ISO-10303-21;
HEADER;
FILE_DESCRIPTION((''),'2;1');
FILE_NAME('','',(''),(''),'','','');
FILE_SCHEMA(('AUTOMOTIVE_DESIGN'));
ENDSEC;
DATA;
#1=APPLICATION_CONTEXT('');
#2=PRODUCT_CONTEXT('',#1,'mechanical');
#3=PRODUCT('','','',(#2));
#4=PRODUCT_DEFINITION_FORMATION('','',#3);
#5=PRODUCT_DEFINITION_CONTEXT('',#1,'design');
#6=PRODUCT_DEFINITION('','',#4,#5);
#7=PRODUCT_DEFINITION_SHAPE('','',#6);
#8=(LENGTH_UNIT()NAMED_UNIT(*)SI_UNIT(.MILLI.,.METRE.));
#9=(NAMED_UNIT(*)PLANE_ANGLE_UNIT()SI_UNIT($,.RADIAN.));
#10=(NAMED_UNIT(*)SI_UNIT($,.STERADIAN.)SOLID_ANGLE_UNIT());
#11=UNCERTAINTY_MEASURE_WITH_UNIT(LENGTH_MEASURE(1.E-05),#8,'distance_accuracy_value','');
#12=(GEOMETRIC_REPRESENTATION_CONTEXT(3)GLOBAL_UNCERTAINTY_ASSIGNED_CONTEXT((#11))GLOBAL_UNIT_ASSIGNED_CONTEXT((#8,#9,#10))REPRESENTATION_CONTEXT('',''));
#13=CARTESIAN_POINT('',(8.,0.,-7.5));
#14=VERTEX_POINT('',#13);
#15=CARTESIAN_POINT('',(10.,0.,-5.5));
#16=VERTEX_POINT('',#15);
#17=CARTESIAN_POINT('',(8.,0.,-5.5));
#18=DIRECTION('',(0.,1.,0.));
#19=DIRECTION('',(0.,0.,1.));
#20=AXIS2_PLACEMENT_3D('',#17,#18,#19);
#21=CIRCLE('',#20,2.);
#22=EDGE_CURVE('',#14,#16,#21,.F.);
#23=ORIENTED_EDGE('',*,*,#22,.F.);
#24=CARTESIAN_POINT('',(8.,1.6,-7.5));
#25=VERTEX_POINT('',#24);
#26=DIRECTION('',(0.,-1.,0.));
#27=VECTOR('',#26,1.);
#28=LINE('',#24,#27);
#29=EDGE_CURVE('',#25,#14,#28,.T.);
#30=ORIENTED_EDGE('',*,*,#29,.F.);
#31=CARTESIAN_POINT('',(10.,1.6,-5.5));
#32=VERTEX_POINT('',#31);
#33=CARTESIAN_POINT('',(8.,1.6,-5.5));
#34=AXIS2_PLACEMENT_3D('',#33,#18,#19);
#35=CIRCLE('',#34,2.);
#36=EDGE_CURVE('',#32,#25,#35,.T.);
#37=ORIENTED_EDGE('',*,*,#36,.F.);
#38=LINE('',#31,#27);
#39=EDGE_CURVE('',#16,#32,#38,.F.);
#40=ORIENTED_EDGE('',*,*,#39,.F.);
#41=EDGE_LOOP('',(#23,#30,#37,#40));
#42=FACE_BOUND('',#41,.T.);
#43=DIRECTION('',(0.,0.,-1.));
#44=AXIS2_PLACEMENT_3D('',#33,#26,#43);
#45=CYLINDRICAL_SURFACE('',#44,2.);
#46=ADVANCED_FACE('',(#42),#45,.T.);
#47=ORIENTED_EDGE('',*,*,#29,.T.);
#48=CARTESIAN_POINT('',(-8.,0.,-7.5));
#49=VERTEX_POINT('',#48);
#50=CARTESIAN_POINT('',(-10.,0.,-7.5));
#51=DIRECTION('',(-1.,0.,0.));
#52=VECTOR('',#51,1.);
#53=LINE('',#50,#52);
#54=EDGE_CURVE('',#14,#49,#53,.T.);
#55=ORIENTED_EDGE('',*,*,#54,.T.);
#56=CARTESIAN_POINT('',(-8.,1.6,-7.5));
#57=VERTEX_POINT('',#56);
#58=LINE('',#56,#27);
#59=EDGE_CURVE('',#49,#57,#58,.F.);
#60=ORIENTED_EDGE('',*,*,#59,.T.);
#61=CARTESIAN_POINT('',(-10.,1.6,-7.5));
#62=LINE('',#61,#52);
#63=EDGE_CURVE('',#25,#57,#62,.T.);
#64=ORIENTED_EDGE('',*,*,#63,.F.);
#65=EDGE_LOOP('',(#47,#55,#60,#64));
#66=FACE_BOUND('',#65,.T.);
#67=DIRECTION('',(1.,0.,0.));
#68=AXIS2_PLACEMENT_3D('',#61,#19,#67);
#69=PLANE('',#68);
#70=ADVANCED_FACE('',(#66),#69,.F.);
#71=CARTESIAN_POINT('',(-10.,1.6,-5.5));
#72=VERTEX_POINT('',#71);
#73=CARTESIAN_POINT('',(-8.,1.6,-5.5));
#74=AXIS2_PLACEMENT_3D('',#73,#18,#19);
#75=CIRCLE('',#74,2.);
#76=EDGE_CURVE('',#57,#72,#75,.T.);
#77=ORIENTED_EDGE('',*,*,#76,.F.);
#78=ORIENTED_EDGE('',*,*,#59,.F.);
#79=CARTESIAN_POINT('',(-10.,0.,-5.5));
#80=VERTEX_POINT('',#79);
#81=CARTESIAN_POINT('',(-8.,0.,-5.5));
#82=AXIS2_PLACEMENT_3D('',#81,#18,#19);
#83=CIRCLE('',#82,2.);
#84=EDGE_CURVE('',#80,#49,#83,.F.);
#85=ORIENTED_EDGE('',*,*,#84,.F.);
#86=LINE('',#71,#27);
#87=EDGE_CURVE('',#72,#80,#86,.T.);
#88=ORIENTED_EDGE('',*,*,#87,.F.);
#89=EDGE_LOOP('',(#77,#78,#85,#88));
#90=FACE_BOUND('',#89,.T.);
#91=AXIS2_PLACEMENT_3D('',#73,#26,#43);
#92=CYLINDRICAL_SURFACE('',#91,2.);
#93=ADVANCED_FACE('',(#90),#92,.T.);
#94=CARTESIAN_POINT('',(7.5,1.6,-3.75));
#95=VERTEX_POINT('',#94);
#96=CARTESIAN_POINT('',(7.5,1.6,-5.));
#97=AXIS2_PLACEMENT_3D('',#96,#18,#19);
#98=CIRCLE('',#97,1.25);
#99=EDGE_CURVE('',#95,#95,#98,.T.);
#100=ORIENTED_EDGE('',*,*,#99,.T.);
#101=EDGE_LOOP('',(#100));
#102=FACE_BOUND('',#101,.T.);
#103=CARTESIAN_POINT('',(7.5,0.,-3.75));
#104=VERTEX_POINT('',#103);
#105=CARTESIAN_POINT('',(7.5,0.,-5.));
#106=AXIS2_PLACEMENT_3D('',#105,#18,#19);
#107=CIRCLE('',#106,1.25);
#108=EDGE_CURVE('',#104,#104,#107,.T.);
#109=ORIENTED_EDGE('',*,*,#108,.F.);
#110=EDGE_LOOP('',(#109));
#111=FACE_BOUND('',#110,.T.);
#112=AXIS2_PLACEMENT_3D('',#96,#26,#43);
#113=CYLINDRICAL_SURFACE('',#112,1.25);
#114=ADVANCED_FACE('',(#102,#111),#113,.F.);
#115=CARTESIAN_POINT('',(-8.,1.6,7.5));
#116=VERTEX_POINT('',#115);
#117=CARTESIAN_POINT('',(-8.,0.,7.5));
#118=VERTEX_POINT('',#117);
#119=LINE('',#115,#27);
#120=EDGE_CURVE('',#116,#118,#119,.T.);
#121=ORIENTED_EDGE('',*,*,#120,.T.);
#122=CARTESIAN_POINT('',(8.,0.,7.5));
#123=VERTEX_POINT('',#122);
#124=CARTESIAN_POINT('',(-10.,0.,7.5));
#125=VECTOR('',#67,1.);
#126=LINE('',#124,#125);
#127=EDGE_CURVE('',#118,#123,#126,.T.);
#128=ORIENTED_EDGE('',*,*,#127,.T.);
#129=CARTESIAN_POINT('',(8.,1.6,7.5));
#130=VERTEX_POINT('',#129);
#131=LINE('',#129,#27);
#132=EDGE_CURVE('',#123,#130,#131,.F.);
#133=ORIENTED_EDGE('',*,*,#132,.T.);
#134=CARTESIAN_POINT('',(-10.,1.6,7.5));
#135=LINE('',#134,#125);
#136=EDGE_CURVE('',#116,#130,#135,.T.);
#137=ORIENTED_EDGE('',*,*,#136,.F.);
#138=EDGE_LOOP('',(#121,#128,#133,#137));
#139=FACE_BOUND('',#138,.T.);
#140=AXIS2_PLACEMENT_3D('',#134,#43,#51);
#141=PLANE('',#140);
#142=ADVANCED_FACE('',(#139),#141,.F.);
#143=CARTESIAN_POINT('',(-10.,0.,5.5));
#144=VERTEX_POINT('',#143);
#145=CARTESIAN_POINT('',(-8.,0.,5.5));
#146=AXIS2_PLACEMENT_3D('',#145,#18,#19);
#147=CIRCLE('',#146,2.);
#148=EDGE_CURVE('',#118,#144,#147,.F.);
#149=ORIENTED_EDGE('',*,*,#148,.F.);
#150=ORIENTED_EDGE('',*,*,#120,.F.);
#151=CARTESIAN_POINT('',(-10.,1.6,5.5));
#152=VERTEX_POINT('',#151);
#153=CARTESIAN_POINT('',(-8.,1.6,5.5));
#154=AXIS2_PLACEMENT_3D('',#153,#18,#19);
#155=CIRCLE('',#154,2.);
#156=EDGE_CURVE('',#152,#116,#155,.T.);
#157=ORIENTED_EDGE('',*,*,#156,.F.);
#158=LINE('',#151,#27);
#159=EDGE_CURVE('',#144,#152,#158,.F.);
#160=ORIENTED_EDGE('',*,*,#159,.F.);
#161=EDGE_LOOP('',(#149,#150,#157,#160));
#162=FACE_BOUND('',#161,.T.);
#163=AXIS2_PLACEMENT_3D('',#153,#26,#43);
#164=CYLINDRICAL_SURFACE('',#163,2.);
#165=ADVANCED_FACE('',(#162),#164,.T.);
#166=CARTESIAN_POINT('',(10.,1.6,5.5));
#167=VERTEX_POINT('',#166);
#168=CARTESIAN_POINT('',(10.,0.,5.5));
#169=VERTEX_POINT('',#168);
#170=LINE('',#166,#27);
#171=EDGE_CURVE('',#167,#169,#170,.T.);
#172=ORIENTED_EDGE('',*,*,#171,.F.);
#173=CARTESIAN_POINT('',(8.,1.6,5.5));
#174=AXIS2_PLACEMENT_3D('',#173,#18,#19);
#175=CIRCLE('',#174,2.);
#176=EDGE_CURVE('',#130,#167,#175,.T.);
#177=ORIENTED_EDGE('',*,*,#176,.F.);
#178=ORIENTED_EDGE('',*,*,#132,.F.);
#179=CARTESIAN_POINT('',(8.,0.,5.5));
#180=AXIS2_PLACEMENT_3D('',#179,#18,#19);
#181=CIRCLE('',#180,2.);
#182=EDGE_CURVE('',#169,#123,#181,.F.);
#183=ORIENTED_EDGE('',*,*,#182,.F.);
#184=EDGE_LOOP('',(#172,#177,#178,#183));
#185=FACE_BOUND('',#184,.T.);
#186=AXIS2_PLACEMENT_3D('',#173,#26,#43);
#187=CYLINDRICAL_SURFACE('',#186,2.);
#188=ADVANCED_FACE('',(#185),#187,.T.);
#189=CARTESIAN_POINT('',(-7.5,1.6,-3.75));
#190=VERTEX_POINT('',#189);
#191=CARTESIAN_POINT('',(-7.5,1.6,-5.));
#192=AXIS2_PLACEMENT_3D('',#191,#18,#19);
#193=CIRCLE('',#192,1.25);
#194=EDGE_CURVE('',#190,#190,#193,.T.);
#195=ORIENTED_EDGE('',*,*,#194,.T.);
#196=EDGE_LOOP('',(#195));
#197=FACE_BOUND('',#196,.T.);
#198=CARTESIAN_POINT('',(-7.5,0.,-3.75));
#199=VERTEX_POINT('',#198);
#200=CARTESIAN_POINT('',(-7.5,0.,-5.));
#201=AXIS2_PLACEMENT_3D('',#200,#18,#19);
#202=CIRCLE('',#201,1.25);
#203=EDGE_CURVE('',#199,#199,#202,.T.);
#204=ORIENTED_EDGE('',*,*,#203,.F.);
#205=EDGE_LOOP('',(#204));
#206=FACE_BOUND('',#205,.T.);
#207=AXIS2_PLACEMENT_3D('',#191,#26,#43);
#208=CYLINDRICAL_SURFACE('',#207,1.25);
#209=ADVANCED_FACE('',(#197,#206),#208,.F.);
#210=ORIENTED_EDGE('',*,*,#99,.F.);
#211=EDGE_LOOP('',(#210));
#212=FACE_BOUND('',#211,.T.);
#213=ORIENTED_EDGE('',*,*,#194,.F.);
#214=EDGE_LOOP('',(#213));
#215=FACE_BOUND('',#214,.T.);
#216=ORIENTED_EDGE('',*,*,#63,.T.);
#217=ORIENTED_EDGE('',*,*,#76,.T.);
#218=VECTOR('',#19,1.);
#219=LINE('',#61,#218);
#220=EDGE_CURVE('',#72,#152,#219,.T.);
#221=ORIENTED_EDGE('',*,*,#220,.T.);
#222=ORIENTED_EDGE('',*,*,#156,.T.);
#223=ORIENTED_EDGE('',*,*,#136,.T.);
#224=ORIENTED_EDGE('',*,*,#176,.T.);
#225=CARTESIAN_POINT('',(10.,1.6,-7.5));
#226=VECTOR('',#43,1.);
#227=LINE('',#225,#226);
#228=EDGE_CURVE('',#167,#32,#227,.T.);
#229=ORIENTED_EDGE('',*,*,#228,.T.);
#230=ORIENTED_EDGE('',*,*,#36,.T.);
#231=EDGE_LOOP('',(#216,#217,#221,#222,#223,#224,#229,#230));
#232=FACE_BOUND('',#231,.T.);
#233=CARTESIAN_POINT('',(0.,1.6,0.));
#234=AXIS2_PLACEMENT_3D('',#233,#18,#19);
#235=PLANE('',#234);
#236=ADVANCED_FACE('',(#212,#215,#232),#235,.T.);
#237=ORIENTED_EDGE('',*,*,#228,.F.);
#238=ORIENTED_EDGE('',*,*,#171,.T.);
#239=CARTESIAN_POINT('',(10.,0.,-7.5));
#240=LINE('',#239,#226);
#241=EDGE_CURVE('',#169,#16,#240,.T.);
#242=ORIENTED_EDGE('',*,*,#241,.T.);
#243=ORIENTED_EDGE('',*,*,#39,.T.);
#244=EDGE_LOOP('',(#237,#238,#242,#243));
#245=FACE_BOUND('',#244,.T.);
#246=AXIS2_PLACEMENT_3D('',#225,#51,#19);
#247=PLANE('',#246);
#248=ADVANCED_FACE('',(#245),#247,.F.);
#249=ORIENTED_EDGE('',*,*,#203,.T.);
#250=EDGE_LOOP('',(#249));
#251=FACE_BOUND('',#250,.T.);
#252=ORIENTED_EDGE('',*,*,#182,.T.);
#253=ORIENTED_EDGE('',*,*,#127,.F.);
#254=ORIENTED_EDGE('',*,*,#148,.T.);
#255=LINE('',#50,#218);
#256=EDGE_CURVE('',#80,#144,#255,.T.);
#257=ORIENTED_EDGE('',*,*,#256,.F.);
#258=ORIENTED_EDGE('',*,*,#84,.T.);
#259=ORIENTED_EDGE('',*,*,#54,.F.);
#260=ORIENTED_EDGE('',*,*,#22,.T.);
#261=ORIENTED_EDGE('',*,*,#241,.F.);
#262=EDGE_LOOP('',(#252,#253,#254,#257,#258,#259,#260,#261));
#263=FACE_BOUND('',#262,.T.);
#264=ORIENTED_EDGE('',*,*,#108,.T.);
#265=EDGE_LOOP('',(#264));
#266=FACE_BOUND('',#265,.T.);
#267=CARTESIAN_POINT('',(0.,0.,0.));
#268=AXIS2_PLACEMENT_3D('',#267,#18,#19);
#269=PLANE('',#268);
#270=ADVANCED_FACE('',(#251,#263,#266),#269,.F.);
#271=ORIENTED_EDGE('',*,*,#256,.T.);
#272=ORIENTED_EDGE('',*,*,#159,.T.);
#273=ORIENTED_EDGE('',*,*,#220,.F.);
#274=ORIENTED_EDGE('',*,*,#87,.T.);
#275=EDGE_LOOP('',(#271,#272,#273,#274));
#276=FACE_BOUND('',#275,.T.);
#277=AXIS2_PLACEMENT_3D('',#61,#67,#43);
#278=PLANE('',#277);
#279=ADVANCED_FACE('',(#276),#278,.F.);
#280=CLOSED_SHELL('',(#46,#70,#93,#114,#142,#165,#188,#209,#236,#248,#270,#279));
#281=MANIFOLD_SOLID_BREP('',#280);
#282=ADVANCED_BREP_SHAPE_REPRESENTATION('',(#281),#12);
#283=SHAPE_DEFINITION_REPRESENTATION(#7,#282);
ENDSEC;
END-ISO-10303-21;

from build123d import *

# Parameters (mm, degrees)
SKETCH1_W           = 20
SKETCH1_H           = 15
SKETCH1_R           = 1.25
BOSS_EXTRUDE1_DEPTH = 1.6
FILLET1_R           = 2


with BuildPart() as part:
    # Sketch1 → Boss-Extrude1 (new body)
    with BuildSketch(Plane(origin=(0, 0, 0), x_dir=(1, 0, 0), z_dir=(0, 1, 0))):
        Rectangle(SKETCH1_W, SKETCH1_H)
        with Locations((-7.5, 5)):
            Circle(SKETCH1_R, mode=Mode.SUBTRACT)
        with Locations((7.5, 5)):
            Circle(SKETCH1_R, mode=Mode.SUBTRACT)
    extrude(amount=BOSS_EXTRUDE1_DEPTH)

    # Fillet1
    fillet1_edges = [part.edges().sort_by_distance(p)[0] for p in [
        (10, 0.8, 7.5),
        (-10, 0.8, 7.5),
        (-10, 0.8, -7.5),
        (10, 0.8, -7.5),
    ]]
    fillet(fillet1_edges, radius=FILLET1_R)


solid = part.part
